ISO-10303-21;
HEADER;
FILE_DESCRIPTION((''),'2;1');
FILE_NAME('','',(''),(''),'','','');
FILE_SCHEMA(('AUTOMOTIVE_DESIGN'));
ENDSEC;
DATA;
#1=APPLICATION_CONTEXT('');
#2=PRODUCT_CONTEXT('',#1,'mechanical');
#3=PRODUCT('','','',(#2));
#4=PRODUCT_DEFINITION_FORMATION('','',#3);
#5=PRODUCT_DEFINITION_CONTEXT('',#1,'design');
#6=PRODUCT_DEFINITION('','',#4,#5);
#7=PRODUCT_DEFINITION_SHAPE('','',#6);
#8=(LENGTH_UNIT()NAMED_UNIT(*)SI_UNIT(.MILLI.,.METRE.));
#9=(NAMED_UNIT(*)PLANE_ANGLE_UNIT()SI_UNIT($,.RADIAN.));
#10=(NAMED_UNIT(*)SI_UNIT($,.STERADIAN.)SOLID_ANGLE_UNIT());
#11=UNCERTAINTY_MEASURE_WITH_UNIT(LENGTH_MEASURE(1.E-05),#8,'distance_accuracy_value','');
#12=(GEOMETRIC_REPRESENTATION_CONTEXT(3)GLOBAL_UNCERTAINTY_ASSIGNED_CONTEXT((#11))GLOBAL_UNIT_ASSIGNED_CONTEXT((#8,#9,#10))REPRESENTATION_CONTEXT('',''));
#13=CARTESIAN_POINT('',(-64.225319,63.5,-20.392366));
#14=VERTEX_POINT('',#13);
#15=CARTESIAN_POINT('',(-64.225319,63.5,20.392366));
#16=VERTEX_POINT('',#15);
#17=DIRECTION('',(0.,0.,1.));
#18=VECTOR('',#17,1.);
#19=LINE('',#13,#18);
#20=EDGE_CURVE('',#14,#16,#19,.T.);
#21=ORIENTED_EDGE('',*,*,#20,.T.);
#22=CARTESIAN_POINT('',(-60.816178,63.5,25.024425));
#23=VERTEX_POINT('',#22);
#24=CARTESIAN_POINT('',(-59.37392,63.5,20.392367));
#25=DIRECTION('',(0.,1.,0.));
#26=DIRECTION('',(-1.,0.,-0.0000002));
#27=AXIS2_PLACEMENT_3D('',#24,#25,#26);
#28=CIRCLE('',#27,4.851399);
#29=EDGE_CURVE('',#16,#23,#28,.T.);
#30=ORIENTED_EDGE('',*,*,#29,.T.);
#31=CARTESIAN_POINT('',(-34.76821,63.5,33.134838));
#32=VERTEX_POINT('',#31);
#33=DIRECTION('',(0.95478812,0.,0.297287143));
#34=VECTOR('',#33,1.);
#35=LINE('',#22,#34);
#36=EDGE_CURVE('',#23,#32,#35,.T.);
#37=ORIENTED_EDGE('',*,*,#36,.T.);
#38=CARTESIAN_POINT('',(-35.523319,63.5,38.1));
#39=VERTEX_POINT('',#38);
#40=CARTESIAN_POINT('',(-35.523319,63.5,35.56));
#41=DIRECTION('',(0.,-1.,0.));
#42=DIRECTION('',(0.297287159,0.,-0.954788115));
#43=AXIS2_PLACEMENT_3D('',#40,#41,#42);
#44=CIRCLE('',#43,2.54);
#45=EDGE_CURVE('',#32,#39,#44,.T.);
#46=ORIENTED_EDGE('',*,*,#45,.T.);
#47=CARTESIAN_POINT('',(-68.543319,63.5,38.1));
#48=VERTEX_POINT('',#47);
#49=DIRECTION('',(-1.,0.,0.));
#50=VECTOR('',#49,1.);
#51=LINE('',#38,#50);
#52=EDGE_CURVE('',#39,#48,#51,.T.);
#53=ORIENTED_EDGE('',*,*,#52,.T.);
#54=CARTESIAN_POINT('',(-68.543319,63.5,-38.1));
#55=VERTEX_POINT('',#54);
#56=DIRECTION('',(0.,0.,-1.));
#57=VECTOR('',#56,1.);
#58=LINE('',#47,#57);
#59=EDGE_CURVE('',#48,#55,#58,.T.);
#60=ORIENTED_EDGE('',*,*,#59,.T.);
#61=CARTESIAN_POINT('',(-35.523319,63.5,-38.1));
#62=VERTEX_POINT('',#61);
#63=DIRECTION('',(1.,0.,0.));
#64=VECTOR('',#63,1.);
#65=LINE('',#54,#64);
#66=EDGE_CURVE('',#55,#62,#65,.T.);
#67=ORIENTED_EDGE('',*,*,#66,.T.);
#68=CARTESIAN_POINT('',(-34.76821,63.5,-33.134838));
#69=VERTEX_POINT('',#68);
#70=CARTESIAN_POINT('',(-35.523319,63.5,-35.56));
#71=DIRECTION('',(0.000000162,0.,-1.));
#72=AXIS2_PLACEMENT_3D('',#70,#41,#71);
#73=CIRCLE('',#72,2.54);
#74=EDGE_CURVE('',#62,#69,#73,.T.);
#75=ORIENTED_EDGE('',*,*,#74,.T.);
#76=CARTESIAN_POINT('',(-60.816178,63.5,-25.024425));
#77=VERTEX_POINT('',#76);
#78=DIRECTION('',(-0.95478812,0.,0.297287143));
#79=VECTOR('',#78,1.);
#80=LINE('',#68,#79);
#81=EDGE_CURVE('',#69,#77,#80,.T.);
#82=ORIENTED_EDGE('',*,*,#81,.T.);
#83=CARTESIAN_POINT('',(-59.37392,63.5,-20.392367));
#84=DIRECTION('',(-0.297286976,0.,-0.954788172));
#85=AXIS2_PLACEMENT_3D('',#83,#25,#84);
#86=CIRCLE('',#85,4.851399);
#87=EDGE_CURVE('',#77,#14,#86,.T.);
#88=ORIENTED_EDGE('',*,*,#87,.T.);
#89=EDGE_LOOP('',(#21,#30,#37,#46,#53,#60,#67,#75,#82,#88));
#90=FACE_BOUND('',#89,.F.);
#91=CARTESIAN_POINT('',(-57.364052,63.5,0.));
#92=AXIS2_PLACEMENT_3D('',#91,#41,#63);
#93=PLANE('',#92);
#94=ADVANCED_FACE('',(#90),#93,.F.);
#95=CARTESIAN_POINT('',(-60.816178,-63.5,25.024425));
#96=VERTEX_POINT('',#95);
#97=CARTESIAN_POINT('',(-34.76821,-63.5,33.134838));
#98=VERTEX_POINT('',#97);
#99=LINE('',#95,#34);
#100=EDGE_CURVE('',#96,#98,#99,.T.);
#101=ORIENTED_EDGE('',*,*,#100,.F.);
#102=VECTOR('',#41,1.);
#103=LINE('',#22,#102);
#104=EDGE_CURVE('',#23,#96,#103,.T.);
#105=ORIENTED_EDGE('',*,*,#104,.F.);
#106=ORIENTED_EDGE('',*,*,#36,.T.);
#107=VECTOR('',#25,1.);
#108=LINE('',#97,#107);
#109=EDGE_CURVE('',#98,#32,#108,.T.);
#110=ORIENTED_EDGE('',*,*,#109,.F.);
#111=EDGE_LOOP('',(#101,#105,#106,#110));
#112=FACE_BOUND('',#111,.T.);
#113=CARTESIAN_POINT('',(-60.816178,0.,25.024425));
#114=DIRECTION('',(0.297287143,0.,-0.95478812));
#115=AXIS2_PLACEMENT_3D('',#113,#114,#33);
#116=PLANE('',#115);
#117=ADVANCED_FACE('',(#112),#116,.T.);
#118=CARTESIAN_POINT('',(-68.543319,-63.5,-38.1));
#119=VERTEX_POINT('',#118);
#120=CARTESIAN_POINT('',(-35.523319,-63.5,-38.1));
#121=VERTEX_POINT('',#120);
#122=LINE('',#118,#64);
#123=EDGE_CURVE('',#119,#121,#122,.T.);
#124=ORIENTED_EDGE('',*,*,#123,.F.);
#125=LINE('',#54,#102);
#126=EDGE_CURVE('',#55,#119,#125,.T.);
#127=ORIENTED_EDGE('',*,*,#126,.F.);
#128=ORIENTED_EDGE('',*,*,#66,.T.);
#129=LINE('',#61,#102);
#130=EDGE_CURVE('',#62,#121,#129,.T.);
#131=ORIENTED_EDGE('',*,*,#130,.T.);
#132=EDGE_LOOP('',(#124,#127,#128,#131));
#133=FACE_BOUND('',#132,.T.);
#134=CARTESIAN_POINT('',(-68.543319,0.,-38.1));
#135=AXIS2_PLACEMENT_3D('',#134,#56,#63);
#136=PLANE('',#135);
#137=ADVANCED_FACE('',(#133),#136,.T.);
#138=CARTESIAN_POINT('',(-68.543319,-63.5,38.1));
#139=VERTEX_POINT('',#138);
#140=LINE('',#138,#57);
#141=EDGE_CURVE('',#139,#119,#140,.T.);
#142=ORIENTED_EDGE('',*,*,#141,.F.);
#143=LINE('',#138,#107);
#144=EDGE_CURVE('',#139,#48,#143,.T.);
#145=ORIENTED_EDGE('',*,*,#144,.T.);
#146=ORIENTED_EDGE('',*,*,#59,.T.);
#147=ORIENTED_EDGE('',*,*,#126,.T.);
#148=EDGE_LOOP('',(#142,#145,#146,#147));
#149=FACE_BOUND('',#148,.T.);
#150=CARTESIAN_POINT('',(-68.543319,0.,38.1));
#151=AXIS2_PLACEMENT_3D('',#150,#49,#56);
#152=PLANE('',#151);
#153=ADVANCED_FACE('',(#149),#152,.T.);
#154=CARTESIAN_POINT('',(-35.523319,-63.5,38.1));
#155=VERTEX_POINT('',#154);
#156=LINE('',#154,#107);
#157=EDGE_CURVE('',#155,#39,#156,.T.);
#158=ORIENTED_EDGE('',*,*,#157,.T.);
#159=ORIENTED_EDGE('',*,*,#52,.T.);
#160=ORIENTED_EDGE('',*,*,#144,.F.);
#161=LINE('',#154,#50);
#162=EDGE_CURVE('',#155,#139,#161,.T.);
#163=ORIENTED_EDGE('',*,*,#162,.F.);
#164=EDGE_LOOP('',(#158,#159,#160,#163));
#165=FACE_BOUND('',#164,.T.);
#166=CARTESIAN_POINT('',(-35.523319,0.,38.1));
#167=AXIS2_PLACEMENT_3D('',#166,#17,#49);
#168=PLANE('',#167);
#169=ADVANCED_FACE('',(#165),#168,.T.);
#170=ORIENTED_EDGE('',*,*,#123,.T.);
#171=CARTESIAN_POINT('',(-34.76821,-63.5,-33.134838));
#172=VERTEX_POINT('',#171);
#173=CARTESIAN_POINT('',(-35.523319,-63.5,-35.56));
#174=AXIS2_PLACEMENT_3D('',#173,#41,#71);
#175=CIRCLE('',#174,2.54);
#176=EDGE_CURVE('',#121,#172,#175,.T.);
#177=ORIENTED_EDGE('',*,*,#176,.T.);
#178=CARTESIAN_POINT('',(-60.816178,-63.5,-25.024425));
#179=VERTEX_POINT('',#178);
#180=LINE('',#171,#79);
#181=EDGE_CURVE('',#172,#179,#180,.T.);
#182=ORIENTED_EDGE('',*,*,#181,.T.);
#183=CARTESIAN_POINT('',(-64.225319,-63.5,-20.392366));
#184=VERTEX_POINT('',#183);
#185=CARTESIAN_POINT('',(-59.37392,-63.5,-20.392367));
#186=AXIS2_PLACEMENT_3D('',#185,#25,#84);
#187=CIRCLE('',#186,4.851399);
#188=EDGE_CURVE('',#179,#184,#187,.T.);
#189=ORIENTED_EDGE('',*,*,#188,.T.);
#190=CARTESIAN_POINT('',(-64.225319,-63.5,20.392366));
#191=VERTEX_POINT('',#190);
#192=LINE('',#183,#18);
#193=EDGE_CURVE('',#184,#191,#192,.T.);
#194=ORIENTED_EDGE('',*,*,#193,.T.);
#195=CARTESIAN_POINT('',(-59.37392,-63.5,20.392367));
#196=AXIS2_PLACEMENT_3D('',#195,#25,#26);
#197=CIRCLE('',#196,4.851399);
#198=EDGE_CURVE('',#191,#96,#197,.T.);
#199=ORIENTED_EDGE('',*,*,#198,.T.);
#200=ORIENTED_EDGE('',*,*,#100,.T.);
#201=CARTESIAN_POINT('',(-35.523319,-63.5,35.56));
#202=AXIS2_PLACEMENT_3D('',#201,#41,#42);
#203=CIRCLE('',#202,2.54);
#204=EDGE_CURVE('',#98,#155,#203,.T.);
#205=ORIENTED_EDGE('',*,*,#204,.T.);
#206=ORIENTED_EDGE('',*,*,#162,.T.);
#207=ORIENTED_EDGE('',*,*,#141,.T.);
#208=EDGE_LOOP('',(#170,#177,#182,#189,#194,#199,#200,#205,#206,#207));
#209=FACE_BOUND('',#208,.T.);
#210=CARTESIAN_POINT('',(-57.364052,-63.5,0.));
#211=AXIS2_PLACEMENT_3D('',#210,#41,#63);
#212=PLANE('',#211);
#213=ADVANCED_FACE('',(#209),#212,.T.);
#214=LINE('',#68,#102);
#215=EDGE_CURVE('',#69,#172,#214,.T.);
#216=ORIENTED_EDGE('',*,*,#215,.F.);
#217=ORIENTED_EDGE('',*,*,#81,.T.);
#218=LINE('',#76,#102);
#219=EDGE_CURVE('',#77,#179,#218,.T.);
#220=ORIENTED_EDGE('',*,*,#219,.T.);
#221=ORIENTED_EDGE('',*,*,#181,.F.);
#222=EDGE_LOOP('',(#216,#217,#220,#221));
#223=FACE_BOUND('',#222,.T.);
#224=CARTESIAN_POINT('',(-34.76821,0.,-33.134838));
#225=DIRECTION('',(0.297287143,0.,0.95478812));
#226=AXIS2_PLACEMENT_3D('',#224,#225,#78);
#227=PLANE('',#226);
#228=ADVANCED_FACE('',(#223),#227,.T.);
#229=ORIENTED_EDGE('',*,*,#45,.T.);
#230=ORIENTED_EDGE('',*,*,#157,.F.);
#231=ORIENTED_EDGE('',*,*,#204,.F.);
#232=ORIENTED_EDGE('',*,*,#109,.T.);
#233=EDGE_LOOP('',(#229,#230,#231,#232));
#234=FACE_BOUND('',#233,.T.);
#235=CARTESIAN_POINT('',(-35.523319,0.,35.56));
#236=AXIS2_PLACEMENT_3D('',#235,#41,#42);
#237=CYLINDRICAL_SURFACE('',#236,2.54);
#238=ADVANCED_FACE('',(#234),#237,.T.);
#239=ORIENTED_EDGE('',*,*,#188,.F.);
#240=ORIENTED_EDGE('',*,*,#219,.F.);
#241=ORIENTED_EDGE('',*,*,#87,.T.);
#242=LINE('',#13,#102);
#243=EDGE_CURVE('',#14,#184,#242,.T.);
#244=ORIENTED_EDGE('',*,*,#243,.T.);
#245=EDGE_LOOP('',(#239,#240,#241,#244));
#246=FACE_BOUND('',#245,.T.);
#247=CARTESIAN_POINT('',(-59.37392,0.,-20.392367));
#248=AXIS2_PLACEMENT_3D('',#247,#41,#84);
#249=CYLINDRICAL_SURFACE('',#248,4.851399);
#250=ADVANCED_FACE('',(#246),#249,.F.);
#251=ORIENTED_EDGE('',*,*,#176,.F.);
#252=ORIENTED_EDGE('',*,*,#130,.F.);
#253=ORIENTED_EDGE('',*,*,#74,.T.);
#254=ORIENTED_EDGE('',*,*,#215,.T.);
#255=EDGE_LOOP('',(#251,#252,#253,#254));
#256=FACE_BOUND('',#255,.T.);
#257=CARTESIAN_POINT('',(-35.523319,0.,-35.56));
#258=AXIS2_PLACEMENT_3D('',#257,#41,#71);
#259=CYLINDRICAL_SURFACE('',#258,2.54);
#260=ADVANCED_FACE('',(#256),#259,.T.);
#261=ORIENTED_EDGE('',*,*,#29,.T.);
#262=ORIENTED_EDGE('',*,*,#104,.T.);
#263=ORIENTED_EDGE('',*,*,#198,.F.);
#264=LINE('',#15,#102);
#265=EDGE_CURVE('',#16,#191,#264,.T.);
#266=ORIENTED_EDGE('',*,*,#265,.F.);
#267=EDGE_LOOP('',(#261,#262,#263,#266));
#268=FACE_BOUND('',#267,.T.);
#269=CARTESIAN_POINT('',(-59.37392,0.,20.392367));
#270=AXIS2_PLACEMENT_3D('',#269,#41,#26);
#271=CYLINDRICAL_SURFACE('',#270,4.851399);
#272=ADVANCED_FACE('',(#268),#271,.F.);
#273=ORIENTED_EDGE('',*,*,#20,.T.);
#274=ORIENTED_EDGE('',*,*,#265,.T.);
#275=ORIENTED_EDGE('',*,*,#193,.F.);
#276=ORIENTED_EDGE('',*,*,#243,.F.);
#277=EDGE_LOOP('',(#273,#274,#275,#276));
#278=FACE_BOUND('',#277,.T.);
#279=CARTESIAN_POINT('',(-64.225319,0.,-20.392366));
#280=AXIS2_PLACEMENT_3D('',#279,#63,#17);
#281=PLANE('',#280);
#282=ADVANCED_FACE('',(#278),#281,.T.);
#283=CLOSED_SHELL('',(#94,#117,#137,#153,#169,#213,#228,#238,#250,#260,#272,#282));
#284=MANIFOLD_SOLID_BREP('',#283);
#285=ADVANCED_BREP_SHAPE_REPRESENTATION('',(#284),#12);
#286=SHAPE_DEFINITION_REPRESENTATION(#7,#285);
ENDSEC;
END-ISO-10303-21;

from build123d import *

# Parameters (mm, degrees)
F1_DEPTH = 63.5


with BuildPart() as f1:
    # F0 (on Front) → F1 (new body, symmetric)
    with BuildSketch(Plane.XZ):
        with BuildLine():
            Line((-68.543319, 38.1), (-68.543319, 0))
            Line((-68.543319, 0), (-68.543319, -38.1))
            Line((-68.543319, -38.1), (-35.523319, -38.1))
            ThreePointArc((-35.523319, -38.1), (-33.012193, -35.941896), (-34.76821, -33.134838))
            Line((-34.76821, -33.134838), (-60.816178, -25.024425))
            ThreePointArc((-60.816178, -25.024425), (-63.28116, -23.268049), (-64.225319, -20.392366))
            Line((-64.225319, -20.392366), (-64.225319, 0))
            Line((-64.225319, 0), (-64.225319, 20.392366))
            ThreePointArc((-64.225319, 20.392366), (-63.28116, 23.268049), (-60.816178, 25.024425))
            Line((-60.816178, 25.024425), (-34.76821, 33.134838))
            ThreePointArc((-34.76821, 33.134838), (-33.012193, 35.941896), (-35.523319, 38.1))
            Line((-35.523319, 38.1), (-68.543319, 38.1))
        make_face()
    extrude(amount=F1_DEPTH, both=True)


solid = f1.part
